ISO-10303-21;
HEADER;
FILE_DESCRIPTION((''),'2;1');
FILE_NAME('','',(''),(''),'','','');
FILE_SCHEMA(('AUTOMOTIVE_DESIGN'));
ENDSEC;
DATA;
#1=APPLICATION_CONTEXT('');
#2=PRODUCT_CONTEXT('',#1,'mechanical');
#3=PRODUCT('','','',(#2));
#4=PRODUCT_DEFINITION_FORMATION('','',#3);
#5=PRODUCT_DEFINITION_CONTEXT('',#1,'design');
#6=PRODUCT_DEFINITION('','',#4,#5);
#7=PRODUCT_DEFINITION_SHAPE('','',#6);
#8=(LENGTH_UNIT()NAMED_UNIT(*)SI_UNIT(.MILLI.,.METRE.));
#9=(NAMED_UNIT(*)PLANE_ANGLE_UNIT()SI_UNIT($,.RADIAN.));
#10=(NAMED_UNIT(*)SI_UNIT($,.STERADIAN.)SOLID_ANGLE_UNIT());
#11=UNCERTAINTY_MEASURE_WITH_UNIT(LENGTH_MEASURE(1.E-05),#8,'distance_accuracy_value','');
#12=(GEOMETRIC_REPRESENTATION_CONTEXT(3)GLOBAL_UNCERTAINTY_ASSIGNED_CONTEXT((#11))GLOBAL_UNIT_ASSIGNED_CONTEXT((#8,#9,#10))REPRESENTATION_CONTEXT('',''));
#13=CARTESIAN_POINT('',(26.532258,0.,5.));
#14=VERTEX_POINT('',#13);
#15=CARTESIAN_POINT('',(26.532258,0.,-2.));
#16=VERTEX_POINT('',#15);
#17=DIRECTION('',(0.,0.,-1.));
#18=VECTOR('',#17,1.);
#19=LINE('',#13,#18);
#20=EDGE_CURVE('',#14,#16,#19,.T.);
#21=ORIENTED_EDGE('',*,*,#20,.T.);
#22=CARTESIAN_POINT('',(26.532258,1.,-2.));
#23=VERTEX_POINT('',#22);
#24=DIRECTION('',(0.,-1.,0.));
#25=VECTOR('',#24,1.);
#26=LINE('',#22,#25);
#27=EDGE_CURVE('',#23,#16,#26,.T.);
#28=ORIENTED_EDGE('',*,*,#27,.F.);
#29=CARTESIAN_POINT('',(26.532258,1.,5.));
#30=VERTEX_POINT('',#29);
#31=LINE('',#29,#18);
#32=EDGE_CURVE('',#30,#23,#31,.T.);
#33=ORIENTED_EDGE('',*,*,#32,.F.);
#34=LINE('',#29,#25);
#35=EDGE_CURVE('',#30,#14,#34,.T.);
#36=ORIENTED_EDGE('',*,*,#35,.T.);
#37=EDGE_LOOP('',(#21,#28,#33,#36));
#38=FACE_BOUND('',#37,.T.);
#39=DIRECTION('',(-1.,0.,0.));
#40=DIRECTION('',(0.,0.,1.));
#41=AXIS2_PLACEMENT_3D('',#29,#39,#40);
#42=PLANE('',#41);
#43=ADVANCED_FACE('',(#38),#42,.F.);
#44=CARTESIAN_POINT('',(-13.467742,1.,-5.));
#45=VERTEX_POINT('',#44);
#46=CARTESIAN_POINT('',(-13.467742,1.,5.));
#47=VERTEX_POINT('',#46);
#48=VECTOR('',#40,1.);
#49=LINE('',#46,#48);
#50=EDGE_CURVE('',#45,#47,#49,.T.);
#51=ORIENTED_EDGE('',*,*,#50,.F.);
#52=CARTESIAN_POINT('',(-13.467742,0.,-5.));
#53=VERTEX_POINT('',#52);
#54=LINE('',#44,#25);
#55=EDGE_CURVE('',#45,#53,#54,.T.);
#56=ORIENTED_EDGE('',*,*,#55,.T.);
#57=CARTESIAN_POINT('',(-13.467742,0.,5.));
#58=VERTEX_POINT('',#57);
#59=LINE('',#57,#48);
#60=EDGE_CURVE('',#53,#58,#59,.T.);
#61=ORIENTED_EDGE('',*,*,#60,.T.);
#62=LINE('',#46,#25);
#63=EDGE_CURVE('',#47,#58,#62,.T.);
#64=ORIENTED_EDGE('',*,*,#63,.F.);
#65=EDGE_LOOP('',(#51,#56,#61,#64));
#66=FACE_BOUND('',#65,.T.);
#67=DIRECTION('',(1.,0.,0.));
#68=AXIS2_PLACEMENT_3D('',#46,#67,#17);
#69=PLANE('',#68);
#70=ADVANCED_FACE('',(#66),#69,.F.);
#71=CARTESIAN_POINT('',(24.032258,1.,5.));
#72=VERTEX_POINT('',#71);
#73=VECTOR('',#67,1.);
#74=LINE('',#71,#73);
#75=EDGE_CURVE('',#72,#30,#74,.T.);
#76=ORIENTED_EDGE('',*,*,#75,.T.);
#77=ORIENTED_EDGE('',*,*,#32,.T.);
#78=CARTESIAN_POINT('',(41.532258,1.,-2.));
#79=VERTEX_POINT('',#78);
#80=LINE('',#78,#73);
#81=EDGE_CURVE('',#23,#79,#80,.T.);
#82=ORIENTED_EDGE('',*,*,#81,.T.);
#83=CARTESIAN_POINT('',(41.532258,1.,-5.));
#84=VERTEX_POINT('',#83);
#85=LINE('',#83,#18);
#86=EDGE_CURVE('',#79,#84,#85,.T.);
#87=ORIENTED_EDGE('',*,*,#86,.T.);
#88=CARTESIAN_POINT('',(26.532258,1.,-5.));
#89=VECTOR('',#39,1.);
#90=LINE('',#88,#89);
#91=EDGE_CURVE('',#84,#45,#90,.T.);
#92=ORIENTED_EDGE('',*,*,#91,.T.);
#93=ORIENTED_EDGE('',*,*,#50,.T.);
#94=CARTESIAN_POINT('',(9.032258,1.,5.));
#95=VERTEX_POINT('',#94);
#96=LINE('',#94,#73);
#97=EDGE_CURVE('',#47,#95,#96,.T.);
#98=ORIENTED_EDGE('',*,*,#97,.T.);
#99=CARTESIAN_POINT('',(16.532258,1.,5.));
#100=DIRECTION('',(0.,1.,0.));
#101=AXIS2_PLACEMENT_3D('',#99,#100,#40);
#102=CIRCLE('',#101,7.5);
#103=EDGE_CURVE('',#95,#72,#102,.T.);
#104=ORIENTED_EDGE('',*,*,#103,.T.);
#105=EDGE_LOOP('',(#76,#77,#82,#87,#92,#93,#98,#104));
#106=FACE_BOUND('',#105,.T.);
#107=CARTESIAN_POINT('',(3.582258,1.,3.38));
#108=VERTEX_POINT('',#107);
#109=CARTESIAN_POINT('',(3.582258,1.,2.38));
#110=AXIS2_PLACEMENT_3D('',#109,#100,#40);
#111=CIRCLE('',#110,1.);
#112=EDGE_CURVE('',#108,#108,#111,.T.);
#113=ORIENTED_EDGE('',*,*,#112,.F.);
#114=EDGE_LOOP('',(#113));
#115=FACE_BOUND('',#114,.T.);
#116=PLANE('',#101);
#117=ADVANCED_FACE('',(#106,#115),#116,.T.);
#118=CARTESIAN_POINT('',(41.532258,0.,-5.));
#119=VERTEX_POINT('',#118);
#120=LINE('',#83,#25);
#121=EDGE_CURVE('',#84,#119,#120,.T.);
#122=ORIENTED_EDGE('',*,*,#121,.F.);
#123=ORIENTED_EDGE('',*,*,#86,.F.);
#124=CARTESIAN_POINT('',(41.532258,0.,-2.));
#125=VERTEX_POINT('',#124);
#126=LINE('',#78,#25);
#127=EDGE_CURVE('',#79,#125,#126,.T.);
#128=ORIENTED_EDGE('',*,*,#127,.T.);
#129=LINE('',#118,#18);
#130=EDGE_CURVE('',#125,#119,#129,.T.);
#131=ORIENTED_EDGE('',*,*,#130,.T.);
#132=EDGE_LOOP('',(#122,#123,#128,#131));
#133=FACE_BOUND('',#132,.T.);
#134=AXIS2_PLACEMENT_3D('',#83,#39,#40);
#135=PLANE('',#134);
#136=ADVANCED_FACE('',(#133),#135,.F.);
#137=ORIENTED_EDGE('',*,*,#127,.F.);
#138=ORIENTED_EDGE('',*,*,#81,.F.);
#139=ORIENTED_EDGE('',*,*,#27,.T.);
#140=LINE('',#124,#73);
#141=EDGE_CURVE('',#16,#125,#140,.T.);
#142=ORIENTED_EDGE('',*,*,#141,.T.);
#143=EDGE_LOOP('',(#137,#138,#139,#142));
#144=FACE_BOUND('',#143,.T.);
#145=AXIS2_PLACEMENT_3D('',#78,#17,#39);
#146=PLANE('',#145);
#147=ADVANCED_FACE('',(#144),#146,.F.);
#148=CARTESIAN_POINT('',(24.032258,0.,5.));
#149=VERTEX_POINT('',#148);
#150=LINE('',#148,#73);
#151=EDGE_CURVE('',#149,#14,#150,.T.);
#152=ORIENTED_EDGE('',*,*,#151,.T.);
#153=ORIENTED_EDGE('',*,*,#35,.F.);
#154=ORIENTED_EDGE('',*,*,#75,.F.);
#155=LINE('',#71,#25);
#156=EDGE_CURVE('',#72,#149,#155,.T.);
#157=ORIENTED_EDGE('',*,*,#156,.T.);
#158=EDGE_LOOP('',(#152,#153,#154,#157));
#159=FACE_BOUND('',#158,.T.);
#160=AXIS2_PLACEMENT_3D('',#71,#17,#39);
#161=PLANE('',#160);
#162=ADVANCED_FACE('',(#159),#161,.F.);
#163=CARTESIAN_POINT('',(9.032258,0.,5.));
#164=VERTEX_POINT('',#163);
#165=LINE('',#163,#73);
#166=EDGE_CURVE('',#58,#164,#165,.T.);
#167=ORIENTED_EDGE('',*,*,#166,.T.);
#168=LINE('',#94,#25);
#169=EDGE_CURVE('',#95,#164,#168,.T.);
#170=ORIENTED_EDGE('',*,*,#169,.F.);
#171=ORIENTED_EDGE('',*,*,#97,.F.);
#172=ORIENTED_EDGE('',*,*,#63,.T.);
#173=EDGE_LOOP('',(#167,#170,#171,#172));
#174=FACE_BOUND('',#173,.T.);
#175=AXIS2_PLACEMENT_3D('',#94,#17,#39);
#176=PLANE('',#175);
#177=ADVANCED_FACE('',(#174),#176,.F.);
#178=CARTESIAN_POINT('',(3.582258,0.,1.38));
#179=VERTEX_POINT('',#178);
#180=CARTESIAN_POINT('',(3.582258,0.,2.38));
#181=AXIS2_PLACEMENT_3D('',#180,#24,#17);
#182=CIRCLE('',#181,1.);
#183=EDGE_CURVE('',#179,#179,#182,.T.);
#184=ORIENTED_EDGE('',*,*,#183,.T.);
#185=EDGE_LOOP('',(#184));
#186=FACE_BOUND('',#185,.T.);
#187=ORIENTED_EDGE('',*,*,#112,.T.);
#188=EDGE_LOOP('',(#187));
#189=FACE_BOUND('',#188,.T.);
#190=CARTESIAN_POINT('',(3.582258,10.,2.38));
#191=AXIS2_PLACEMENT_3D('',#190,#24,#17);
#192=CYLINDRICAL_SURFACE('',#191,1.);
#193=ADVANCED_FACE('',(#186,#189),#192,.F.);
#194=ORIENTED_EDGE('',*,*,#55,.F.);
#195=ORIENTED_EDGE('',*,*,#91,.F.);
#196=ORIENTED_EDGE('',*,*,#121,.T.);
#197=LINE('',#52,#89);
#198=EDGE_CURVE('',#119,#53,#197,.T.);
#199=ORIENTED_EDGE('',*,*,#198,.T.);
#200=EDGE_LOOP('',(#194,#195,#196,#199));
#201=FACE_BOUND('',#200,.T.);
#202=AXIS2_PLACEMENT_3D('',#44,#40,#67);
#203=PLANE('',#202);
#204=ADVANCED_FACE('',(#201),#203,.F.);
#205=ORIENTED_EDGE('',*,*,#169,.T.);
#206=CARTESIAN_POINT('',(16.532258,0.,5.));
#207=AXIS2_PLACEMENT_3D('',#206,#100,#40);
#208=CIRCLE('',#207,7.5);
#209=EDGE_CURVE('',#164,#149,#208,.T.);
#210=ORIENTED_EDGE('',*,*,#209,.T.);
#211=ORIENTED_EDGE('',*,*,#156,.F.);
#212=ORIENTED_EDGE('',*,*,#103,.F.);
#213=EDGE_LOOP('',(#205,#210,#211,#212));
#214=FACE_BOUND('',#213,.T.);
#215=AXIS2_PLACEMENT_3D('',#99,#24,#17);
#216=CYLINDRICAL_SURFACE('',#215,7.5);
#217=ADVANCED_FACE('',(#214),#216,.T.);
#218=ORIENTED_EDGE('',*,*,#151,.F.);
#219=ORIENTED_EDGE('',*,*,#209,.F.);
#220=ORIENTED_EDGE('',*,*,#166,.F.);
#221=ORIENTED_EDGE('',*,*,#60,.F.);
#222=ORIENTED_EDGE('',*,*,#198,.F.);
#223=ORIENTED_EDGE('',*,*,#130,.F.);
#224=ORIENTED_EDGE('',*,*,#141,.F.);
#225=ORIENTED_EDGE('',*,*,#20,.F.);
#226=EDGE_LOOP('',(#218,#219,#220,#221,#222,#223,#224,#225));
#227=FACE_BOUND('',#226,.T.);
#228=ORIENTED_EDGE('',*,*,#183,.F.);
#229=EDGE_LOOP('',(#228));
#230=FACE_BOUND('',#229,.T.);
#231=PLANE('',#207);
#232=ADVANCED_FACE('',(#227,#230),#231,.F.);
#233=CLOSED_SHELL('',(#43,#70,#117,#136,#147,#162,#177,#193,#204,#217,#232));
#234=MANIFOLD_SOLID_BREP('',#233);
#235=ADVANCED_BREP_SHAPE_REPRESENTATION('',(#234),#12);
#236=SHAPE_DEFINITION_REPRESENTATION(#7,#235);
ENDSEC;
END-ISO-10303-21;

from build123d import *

# Parameters (mm, degrees)
BOSS_EXTRUDE6_DEPTH = 1
SKETCH7_R           = 1
CUT_EXTRUDE1_DEPTH  = 10


with BuildPart() as part:
    # Sketch3 → Boss-Extrude6 (new body)
    with BuildSketch(Plane(origin=(0, 0, 0), x_dir=(1, 0, 0), z_dir=(0, 1, 0))):
        with BuildLine():
            Line((24.032258065, -5), (26.532258065, -5))
            Line((26.532258065, -5), (26.532258065, 2))
            Line((26.532258065, 2), (41.532258065, 2))
            Line((41.532258065, 2), (41.532258065, 5))
            Line((41.532258065, 5), (26.532258065, 5))
            Line((26.532258065, 5), (-13.467741935, 5))
            Line((-13.467741935, 5), (-13.467741935, -5))
            Line((-13.467741935, -5), (9.032258065, -5))
            ThreePointArc((9.032258065, -5), (16.532258065, -12.5), (24.032258065, -5))
        make_face()
    extrude(amount=BOSS_EXTRUDE6_DEPTH)

    # Sketch7 → Cut-Extrude1 (cut)
    with BuildSketch(Plane.XZ):
        with Locations(Location((3.582258065, 2.38, 0), (0, 0, 270))):
            Circle(SKETCH7_R)
    extrude(amount=-CUT_EXTRUDE1_DEPTH, mode=Mode.SUBTRACT)


solid = part.part
